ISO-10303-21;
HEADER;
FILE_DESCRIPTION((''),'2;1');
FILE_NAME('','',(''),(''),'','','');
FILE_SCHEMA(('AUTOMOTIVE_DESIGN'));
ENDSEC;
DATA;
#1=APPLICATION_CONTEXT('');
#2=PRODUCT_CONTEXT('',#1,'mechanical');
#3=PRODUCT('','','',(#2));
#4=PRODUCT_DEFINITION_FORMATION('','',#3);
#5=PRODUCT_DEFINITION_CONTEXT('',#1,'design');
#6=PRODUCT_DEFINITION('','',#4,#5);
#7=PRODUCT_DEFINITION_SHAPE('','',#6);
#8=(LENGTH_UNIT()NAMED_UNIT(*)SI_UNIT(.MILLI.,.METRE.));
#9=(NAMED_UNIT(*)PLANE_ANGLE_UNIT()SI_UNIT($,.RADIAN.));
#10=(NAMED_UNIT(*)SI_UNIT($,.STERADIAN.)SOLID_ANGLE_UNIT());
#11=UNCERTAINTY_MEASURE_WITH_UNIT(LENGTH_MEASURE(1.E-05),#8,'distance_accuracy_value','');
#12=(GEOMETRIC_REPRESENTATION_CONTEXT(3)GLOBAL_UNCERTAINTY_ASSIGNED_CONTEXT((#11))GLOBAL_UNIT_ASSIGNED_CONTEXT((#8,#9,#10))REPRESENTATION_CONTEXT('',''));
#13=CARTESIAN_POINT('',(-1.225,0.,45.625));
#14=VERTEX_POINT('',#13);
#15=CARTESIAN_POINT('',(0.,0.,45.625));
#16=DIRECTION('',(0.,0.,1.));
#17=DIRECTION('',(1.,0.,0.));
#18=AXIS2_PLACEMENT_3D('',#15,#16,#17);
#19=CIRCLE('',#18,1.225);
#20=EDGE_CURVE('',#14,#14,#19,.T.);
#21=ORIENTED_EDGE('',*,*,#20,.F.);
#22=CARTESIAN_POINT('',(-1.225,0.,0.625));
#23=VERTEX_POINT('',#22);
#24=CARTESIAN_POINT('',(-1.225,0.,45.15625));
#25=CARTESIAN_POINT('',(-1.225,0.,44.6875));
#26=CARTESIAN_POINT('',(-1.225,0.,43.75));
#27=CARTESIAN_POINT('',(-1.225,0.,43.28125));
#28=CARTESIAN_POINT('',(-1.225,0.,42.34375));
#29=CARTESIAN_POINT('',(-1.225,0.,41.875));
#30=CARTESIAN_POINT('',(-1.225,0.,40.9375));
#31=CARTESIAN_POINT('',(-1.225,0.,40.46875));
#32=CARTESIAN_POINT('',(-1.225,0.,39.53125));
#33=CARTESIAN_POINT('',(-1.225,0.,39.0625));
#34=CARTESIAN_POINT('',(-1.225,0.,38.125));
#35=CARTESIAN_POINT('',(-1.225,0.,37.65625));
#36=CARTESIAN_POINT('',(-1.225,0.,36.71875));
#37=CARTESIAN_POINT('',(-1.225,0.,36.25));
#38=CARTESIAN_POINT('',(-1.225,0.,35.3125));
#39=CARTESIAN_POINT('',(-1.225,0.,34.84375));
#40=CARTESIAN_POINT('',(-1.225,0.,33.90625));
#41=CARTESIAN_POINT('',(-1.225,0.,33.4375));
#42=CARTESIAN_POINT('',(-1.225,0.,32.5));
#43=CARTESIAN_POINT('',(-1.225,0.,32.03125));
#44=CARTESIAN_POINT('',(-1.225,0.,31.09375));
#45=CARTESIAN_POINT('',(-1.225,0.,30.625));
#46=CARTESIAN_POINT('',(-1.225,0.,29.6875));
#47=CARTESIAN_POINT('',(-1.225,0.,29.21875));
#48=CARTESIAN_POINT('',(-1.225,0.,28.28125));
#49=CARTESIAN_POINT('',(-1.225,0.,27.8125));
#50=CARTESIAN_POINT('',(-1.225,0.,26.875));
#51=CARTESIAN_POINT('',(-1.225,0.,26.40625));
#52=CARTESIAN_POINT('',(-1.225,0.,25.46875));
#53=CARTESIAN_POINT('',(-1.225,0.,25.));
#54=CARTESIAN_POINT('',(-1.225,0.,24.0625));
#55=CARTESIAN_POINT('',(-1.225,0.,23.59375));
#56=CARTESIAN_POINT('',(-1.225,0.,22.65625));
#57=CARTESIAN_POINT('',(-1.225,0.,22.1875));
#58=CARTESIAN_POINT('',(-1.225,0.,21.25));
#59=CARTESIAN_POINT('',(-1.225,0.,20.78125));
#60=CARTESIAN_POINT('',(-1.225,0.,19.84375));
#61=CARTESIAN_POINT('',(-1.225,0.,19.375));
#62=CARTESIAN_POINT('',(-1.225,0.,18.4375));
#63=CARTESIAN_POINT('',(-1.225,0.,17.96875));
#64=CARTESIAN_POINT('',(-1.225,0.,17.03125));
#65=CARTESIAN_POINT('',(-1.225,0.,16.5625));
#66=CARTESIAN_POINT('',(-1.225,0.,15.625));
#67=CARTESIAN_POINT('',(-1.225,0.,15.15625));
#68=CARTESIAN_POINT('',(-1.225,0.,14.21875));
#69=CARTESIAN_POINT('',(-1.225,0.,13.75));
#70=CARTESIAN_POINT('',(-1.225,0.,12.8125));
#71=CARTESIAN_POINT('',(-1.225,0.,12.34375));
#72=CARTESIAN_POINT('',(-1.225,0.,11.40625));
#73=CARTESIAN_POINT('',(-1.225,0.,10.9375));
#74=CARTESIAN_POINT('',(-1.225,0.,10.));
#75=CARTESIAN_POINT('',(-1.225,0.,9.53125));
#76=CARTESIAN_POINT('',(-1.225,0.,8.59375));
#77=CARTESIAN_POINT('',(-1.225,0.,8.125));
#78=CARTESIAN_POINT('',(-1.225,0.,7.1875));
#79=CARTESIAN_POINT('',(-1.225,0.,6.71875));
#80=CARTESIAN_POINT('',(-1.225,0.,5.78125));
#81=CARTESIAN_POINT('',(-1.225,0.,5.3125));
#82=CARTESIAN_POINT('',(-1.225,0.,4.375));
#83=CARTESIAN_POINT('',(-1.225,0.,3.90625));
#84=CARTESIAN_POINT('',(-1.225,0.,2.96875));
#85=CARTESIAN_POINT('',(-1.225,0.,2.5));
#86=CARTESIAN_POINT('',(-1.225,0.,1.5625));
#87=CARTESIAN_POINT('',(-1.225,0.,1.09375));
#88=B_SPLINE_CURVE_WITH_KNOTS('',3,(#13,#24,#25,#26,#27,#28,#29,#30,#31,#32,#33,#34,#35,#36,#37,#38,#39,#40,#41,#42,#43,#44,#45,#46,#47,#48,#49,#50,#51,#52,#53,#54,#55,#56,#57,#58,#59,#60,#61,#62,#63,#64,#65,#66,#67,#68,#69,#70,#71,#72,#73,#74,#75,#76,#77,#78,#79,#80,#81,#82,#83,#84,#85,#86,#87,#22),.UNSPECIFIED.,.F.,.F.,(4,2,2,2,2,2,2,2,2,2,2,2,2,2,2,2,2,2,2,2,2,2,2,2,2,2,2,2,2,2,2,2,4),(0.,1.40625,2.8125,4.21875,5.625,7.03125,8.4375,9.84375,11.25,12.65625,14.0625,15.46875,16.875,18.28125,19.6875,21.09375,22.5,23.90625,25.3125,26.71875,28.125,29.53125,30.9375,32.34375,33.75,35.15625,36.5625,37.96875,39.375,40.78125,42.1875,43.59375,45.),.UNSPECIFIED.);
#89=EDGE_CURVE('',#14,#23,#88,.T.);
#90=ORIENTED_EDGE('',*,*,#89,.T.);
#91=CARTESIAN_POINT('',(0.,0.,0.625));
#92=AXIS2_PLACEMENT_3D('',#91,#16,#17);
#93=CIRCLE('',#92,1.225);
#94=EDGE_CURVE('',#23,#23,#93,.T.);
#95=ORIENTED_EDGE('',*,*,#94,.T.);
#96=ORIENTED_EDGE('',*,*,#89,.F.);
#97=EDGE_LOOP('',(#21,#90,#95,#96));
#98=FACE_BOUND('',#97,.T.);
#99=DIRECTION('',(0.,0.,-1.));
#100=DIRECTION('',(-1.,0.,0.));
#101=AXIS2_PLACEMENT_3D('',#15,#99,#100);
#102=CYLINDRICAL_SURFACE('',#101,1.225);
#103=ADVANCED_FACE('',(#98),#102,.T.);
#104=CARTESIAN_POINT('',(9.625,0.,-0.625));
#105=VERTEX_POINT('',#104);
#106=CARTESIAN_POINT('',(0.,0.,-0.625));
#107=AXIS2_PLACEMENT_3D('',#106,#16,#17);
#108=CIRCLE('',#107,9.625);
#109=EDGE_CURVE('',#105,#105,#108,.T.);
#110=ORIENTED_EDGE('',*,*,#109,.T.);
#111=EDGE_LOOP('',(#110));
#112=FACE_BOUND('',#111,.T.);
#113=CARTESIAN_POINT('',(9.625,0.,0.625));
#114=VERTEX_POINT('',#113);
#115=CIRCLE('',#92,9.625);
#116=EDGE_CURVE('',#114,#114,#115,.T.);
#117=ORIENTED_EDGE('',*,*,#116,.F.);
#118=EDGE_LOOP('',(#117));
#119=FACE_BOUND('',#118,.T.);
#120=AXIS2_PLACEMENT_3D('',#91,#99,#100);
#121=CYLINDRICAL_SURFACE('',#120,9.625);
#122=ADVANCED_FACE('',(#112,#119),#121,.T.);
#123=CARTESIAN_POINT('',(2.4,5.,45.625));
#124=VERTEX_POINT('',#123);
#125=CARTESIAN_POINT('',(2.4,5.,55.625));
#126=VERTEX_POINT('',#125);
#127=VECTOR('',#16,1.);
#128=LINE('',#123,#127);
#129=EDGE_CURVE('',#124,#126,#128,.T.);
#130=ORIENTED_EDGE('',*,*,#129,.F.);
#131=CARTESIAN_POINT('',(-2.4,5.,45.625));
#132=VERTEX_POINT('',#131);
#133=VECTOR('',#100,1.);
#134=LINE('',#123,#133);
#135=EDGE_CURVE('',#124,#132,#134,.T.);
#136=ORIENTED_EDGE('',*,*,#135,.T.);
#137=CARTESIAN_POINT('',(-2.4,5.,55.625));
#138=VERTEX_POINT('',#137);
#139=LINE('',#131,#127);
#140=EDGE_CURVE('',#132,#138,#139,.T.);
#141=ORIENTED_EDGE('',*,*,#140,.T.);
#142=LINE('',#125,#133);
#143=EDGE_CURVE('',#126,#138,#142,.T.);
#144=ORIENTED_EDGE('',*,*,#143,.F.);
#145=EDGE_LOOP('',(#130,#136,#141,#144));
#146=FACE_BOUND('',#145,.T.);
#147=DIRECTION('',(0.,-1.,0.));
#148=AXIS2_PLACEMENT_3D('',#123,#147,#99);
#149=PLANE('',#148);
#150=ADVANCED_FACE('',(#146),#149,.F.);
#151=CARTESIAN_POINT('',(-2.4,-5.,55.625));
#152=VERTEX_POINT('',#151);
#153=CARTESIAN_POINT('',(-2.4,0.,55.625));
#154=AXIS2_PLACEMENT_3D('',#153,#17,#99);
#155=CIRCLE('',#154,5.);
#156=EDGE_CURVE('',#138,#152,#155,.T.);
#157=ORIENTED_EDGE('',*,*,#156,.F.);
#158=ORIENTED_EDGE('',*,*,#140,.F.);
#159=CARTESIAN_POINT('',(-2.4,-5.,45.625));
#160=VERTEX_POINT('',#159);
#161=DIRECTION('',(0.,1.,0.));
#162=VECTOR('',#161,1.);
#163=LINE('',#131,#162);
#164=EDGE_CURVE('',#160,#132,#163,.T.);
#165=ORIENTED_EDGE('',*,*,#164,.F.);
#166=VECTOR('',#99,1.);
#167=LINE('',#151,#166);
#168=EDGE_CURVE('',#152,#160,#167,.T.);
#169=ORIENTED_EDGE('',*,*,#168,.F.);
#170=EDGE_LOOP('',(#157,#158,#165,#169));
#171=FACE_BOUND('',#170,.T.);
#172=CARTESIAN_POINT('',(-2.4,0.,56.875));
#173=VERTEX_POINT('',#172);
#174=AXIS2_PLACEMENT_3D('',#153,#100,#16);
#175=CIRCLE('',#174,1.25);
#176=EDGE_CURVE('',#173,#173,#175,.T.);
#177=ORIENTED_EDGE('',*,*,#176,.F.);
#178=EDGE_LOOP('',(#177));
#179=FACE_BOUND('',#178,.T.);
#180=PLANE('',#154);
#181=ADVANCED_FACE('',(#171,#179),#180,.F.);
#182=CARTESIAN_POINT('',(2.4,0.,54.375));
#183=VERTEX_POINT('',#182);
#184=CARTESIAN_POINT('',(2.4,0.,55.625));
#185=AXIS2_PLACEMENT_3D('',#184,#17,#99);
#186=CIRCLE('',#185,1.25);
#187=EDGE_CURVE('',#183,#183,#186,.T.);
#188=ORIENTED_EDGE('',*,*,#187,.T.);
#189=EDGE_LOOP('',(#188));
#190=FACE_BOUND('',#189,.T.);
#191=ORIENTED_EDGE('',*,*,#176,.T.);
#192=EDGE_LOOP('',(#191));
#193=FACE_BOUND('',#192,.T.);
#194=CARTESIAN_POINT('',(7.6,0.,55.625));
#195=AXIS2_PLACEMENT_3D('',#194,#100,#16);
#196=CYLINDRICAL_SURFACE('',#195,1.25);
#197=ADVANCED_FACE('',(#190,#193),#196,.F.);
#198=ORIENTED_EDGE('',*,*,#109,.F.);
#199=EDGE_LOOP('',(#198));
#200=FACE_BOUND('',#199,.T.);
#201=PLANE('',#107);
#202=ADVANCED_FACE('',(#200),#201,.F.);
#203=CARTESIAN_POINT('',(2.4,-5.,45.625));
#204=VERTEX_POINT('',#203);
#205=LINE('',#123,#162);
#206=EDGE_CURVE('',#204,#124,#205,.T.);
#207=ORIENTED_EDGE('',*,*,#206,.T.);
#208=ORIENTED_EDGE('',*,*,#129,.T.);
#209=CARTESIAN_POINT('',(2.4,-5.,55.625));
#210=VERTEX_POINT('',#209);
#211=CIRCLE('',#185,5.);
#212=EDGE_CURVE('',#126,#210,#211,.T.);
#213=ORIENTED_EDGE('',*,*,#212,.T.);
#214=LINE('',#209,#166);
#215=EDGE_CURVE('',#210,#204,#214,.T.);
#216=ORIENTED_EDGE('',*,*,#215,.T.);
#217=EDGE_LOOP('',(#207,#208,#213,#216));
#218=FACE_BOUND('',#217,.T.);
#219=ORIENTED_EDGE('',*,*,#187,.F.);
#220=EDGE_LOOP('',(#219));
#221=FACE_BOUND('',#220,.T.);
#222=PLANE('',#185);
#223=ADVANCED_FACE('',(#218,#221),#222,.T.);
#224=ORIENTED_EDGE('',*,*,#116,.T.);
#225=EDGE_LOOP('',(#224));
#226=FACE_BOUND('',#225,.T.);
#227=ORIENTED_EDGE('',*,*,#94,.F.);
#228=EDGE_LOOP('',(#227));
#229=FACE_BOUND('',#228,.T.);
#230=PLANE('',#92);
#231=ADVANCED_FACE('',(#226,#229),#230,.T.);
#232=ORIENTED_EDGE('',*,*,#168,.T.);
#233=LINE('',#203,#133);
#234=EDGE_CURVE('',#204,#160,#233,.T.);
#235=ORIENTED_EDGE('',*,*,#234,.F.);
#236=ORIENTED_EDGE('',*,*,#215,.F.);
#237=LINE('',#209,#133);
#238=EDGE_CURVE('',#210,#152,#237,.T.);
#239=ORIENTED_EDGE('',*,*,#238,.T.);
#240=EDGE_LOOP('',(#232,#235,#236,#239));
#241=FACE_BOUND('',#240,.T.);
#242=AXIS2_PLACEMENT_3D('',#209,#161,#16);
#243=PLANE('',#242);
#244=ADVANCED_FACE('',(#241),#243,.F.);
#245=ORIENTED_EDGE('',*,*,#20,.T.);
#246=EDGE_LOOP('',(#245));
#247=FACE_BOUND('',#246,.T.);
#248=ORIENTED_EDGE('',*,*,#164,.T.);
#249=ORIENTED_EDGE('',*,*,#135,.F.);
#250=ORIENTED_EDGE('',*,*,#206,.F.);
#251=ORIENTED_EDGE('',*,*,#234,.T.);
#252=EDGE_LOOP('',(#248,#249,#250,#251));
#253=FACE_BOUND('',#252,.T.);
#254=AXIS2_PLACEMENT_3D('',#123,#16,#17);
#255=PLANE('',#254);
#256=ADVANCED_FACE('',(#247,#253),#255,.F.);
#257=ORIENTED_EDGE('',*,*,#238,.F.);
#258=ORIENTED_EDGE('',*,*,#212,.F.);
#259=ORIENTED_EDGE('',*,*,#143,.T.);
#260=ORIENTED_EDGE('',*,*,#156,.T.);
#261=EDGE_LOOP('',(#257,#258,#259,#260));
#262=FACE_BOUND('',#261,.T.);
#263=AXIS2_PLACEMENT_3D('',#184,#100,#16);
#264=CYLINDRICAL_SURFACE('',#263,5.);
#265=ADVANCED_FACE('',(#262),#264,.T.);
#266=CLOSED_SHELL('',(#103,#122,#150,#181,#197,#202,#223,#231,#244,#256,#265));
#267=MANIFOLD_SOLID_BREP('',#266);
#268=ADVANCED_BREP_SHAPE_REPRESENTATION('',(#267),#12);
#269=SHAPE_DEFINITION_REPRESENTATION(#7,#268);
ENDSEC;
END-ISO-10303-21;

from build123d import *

# Parameters (mm, degrees)
SKETCH1_R           = 9.625
BOSS_EXTRUDE1_DEPTH = 0.625
SKETCH2_R           = 1.225
BOSS_EXTRUDE2_DEPTH = 45
BOSS_EXTRUDE3_DEPTH = 2.4
SKETCH4_R           = 1.25
CUT_EXTRUDE1_DEPTH  = 10


with BuildPart() as part:
    # Sketch1 → Boss-Extrude1 (new, symmetric)
    with BuildSketch(Plane.XY):
        Circle(SKETCH1_R)
    extrude(amount=BOSS_EXTRUDE1_DEPTH, both=True)

    # Sketch2 → Boss-Extrude2 (add)
    with BuildSketch(Plane.XY.offset(0.625)):
        Circle(SKETCH2_R)
    extrude(amount=BOSS_EXTRUDE2_DEPTH)

    # Sketch3 → Boss-Extrude3 (add, symmetric)
    with BuildSketch(Plane(origin=(0, 0, 0), x_dir=(0, 0, -1), z_dir=(1, 0, 0))):
        with BuildLine():
            Line((-45.625, 5), (-45.625, -5))
            Line((-45.625, -5), (-55.625, -5))
            ThreePointArc((-55.625, -5), (-60.625, 0), (-55.625, 5))
            Line((-55.625, 5), (-45.625, 5))
        make_face()
    extrude(amount=BOSS_EXTRUDE3_DEPTH, both=True)

    # Sketch4 → Cut-Extrude1 (cut)
    with BuildSketch(Plane.ZY.offset(2.4)):
        with Locations((55.625, 0)):
            Circle(SKETCH4_R)
    extrude(amount=-CUT_EXTRUDE1_DEPTH, mode=Mode.SUBTRACT)


solid = part.part
